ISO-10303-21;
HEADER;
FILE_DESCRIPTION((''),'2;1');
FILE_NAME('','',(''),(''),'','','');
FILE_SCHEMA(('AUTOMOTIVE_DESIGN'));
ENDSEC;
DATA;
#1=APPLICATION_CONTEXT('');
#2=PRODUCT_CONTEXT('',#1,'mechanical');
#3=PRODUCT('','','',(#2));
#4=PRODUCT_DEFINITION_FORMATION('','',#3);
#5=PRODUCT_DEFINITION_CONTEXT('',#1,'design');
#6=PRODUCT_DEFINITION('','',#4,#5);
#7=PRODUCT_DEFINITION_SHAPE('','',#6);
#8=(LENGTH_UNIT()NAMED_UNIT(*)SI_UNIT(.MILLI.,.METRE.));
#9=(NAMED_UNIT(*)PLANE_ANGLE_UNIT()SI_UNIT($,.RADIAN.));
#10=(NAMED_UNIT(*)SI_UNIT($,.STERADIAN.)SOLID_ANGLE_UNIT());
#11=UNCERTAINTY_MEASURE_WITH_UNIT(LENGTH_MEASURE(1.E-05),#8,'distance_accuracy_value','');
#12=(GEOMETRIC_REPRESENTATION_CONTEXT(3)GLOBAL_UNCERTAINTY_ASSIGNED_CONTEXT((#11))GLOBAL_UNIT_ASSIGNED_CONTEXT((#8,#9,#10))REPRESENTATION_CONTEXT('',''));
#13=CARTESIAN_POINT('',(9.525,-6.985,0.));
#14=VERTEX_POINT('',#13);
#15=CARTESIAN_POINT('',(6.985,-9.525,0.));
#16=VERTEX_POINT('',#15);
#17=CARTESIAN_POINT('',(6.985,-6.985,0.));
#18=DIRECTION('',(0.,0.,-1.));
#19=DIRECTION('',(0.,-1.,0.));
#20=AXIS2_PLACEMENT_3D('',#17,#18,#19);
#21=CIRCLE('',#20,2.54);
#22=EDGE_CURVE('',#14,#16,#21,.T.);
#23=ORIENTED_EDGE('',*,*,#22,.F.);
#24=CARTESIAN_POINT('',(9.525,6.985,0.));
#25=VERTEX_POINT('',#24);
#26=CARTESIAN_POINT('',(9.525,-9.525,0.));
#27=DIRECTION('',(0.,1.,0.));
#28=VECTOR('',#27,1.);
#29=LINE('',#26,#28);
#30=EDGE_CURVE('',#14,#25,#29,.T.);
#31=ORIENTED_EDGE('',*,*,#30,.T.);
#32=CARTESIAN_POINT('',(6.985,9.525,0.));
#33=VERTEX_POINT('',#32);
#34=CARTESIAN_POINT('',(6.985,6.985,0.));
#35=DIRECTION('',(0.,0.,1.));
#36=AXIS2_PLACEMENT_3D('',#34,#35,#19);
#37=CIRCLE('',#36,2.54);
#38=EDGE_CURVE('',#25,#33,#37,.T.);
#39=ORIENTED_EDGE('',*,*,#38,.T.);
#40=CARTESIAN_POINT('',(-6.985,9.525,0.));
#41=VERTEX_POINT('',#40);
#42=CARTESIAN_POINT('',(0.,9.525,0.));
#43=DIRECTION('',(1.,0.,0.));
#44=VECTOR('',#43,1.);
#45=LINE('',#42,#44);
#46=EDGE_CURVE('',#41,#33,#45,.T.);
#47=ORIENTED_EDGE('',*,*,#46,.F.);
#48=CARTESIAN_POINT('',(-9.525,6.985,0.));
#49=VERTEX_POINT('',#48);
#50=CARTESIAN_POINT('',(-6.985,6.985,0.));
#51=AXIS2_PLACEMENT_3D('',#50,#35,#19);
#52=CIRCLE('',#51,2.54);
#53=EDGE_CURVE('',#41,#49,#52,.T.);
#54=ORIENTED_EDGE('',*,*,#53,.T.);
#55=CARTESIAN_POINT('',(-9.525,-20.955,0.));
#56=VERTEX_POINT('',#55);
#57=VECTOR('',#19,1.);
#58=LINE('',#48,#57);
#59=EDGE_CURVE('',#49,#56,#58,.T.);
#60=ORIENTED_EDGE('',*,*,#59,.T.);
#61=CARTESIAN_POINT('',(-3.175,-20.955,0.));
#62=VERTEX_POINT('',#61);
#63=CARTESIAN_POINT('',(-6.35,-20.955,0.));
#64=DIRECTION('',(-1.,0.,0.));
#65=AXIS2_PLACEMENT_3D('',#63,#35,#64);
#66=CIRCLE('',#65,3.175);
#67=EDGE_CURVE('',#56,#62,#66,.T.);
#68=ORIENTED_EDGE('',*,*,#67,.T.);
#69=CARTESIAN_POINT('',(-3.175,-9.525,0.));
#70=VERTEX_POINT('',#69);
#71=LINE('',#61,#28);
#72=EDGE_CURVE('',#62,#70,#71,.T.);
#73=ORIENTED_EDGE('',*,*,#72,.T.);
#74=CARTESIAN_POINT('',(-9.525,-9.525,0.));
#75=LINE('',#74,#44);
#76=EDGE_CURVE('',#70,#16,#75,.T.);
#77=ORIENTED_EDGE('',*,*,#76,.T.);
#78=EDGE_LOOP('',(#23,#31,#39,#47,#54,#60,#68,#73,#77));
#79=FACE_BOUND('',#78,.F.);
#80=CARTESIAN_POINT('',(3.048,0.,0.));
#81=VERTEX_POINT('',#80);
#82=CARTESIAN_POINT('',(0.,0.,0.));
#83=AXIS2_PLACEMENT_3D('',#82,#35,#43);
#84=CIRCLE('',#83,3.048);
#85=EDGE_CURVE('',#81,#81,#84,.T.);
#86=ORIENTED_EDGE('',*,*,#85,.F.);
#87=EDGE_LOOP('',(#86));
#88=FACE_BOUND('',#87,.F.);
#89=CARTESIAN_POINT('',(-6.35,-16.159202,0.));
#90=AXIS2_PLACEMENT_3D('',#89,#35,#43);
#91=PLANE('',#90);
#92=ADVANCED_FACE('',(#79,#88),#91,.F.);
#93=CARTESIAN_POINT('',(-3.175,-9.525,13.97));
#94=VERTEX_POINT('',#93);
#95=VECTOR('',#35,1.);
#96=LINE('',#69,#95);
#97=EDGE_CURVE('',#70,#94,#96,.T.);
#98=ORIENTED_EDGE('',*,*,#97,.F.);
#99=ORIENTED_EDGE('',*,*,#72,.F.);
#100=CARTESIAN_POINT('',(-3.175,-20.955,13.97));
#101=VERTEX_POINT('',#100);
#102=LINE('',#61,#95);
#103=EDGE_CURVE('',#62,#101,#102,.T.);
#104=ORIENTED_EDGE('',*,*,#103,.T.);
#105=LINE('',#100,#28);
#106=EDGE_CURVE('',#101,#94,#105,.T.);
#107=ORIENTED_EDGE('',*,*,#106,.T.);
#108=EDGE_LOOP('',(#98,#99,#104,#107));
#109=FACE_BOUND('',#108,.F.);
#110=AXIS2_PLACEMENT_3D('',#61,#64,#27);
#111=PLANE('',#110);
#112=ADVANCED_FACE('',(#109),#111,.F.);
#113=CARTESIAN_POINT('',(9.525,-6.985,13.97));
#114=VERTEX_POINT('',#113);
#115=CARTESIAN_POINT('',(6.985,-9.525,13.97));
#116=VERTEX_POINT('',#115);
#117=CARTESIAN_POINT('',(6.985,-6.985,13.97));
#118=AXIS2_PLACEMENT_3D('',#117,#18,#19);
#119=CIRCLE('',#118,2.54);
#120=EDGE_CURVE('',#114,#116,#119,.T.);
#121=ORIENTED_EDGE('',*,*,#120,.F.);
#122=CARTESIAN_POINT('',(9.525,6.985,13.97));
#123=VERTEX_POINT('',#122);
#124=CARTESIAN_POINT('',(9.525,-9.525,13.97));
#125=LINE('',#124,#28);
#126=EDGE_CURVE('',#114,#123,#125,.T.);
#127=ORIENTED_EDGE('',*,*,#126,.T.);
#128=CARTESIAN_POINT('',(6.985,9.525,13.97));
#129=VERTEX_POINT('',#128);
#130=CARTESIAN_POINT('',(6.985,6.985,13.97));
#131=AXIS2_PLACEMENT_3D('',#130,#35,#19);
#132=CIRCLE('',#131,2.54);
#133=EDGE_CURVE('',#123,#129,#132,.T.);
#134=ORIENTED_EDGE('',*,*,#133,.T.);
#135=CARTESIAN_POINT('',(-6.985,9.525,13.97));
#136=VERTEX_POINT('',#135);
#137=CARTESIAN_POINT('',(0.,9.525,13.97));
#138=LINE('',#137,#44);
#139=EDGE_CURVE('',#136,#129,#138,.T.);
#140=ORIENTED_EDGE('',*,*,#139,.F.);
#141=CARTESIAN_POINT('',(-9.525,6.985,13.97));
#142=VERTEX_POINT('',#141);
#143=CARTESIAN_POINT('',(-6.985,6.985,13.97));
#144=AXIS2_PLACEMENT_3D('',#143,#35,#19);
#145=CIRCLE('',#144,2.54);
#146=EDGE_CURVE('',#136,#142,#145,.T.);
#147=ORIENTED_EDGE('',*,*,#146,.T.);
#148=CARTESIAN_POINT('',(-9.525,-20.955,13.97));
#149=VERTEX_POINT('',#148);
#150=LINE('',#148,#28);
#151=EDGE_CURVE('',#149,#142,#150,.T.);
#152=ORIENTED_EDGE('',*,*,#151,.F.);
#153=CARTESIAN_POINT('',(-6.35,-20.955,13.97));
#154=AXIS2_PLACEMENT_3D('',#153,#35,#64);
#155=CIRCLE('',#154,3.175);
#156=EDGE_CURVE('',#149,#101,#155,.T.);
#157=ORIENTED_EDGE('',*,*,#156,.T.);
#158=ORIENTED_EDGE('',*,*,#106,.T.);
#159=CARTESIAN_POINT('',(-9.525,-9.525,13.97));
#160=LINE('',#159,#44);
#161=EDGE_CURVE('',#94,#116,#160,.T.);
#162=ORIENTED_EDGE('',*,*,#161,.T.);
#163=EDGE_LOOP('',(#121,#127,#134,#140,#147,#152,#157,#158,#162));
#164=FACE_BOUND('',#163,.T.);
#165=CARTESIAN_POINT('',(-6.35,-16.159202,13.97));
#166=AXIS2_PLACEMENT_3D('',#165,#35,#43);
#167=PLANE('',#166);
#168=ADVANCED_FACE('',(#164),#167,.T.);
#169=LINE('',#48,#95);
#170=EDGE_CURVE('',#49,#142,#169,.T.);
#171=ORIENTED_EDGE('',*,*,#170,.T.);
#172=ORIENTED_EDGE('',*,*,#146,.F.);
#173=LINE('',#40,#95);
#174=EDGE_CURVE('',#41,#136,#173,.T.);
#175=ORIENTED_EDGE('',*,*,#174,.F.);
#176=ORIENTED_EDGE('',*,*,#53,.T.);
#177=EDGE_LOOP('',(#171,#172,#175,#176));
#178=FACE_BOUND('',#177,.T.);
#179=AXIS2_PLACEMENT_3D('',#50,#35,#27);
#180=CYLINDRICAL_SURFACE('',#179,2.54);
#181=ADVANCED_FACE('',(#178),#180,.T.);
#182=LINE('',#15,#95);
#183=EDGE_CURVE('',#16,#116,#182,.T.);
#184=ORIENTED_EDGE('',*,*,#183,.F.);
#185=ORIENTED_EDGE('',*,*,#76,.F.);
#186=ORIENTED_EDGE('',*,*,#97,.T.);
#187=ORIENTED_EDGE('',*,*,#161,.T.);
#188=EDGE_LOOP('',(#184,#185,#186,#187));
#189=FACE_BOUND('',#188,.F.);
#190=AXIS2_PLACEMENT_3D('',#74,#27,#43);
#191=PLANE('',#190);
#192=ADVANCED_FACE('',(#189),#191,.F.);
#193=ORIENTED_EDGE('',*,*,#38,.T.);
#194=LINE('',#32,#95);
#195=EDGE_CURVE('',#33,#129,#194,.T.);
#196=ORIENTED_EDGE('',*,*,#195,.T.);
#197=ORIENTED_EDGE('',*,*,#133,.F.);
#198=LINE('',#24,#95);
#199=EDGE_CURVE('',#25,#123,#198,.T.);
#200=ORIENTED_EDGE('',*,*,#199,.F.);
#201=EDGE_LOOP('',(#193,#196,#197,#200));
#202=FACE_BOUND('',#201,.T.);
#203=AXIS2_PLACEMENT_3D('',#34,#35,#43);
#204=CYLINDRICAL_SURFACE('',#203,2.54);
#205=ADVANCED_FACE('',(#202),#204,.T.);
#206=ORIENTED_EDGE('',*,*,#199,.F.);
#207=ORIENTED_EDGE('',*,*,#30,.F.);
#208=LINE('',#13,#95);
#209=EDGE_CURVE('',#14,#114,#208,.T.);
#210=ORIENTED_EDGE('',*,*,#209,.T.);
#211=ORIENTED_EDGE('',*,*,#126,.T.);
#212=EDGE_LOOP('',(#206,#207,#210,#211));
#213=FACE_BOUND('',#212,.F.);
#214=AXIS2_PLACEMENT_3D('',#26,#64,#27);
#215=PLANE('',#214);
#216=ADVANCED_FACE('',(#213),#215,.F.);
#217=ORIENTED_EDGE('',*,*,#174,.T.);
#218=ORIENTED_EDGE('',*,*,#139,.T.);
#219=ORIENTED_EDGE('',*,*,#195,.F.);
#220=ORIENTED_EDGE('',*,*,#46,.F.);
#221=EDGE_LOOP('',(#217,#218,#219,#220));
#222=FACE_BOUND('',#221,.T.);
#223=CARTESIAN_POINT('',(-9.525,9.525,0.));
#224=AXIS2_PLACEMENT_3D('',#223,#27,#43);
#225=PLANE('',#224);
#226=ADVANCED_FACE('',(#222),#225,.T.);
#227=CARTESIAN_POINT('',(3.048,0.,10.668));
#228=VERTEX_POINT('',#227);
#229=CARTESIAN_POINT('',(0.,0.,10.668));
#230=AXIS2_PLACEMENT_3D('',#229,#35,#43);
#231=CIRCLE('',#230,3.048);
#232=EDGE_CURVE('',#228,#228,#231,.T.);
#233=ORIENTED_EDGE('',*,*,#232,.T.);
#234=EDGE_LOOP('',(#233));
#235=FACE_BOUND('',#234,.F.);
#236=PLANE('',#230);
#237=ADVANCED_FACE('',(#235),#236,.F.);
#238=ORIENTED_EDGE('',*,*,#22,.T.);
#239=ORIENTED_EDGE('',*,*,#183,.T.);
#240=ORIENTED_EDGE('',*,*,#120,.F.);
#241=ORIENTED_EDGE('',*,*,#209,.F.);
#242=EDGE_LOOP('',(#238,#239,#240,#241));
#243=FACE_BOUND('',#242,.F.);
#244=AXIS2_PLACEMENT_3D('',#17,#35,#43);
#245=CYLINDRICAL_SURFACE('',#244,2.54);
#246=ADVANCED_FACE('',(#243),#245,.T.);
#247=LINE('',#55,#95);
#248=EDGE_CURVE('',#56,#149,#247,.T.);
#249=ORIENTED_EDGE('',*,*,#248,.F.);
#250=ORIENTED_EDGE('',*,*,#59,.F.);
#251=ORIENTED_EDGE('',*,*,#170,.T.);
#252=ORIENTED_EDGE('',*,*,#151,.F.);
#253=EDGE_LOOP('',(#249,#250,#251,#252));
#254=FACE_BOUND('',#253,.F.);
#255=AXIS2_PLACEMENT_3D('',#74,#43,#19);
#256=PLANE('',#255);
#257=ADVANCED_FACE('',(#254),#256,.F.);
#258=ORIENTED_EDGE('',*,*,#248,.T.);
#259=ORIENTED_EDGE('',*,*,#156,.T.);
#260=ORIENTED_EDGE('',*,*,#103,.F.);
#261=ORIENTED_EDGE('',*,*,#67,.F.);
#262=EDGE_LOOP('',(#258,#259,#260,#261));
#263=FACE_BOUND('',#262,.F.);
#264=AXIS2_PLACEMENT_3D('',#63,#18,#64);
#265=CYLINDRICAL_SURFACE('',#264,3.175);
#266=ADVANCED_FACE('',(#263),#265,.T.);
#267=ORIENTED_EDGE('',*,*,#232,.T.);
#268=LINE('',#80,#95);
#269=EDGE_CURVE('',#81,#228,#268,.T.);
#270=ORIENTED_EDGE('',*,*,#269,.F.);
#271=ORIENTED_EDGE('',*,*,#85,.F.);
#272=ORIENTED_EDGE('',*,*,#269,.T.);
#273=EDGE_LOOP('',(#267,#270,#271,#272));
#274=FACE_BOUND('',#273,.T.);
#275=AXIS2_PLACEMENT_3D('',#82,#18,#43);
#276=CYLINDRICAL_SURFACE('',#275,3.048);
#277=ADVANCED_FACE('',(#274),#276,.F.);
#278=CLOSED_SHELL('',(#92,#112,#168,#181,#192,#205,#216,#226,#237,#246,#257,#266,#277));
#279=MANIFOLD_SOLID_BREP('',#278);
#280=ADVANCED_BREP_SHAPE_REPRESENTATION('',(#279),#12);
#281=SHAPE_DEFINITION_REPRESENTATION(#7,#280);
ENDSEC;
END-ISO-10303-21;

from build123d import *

# Parameters (mm, degrees)
F0_R     = 3.048
F0_W     = 19.05
F0_H     = 3.302
F1_DEPTH = 13.97
F2_R     = 2.54
F3_R     = 3.048
F4_DEPTH = 3.302
F5_DEPTH = 13.97


with BuildPart() as f1:
    # F0 (on Top) → F1 (new body)
    with BuildSketch(Plane.XY):
        Polygon((9.525, 6.223), (-9.525, 6.223), (-9.525, -9.525), (-3.175, -9.525), (9.525, -9.525), align=None)
        Circle(F0_R, mode=Mode.SUBTRACT)
        with Locations((0, 7.874)):
            Rectangle(F0_W, F0_H)
    extrude(amount=F1_DEPTH)

    # F2
    f2_edges = [f1.edges().sort_by_distance(p)[0] for p in [
        (9.525, 9.525, 6.985),
        (-9.525, 9.525, 6.985),
        (9.525, -9.525, 6.985),
    ]]
    fillet(f2_edges, radius=F2_R)

    # F3 (on face) → F4 (join)
    with BuildSketch(Plane.XY.offset(13.97)):
        Circle(F3_R)
    extrude(amount=-F4_DEPTH)

    # F0 (on Top) → F5 (join, through all)
    with BuildSketch(Plane.XY):
        with BuildLine():
            Line((-3.175, -9.525), (-9.525, -9.525))
            Line((-9.525, -9.525), (-9.525, -20.955))
            ThreePointArc((-9.525, -20.955), (-6.35, -24.13), (-3.175, -20.955))
            Line((-3.175, -20.955), (-3.175, -9.525))
        make_face()
    extrude(amount=F5_DEPTH)


solid = f1.part
